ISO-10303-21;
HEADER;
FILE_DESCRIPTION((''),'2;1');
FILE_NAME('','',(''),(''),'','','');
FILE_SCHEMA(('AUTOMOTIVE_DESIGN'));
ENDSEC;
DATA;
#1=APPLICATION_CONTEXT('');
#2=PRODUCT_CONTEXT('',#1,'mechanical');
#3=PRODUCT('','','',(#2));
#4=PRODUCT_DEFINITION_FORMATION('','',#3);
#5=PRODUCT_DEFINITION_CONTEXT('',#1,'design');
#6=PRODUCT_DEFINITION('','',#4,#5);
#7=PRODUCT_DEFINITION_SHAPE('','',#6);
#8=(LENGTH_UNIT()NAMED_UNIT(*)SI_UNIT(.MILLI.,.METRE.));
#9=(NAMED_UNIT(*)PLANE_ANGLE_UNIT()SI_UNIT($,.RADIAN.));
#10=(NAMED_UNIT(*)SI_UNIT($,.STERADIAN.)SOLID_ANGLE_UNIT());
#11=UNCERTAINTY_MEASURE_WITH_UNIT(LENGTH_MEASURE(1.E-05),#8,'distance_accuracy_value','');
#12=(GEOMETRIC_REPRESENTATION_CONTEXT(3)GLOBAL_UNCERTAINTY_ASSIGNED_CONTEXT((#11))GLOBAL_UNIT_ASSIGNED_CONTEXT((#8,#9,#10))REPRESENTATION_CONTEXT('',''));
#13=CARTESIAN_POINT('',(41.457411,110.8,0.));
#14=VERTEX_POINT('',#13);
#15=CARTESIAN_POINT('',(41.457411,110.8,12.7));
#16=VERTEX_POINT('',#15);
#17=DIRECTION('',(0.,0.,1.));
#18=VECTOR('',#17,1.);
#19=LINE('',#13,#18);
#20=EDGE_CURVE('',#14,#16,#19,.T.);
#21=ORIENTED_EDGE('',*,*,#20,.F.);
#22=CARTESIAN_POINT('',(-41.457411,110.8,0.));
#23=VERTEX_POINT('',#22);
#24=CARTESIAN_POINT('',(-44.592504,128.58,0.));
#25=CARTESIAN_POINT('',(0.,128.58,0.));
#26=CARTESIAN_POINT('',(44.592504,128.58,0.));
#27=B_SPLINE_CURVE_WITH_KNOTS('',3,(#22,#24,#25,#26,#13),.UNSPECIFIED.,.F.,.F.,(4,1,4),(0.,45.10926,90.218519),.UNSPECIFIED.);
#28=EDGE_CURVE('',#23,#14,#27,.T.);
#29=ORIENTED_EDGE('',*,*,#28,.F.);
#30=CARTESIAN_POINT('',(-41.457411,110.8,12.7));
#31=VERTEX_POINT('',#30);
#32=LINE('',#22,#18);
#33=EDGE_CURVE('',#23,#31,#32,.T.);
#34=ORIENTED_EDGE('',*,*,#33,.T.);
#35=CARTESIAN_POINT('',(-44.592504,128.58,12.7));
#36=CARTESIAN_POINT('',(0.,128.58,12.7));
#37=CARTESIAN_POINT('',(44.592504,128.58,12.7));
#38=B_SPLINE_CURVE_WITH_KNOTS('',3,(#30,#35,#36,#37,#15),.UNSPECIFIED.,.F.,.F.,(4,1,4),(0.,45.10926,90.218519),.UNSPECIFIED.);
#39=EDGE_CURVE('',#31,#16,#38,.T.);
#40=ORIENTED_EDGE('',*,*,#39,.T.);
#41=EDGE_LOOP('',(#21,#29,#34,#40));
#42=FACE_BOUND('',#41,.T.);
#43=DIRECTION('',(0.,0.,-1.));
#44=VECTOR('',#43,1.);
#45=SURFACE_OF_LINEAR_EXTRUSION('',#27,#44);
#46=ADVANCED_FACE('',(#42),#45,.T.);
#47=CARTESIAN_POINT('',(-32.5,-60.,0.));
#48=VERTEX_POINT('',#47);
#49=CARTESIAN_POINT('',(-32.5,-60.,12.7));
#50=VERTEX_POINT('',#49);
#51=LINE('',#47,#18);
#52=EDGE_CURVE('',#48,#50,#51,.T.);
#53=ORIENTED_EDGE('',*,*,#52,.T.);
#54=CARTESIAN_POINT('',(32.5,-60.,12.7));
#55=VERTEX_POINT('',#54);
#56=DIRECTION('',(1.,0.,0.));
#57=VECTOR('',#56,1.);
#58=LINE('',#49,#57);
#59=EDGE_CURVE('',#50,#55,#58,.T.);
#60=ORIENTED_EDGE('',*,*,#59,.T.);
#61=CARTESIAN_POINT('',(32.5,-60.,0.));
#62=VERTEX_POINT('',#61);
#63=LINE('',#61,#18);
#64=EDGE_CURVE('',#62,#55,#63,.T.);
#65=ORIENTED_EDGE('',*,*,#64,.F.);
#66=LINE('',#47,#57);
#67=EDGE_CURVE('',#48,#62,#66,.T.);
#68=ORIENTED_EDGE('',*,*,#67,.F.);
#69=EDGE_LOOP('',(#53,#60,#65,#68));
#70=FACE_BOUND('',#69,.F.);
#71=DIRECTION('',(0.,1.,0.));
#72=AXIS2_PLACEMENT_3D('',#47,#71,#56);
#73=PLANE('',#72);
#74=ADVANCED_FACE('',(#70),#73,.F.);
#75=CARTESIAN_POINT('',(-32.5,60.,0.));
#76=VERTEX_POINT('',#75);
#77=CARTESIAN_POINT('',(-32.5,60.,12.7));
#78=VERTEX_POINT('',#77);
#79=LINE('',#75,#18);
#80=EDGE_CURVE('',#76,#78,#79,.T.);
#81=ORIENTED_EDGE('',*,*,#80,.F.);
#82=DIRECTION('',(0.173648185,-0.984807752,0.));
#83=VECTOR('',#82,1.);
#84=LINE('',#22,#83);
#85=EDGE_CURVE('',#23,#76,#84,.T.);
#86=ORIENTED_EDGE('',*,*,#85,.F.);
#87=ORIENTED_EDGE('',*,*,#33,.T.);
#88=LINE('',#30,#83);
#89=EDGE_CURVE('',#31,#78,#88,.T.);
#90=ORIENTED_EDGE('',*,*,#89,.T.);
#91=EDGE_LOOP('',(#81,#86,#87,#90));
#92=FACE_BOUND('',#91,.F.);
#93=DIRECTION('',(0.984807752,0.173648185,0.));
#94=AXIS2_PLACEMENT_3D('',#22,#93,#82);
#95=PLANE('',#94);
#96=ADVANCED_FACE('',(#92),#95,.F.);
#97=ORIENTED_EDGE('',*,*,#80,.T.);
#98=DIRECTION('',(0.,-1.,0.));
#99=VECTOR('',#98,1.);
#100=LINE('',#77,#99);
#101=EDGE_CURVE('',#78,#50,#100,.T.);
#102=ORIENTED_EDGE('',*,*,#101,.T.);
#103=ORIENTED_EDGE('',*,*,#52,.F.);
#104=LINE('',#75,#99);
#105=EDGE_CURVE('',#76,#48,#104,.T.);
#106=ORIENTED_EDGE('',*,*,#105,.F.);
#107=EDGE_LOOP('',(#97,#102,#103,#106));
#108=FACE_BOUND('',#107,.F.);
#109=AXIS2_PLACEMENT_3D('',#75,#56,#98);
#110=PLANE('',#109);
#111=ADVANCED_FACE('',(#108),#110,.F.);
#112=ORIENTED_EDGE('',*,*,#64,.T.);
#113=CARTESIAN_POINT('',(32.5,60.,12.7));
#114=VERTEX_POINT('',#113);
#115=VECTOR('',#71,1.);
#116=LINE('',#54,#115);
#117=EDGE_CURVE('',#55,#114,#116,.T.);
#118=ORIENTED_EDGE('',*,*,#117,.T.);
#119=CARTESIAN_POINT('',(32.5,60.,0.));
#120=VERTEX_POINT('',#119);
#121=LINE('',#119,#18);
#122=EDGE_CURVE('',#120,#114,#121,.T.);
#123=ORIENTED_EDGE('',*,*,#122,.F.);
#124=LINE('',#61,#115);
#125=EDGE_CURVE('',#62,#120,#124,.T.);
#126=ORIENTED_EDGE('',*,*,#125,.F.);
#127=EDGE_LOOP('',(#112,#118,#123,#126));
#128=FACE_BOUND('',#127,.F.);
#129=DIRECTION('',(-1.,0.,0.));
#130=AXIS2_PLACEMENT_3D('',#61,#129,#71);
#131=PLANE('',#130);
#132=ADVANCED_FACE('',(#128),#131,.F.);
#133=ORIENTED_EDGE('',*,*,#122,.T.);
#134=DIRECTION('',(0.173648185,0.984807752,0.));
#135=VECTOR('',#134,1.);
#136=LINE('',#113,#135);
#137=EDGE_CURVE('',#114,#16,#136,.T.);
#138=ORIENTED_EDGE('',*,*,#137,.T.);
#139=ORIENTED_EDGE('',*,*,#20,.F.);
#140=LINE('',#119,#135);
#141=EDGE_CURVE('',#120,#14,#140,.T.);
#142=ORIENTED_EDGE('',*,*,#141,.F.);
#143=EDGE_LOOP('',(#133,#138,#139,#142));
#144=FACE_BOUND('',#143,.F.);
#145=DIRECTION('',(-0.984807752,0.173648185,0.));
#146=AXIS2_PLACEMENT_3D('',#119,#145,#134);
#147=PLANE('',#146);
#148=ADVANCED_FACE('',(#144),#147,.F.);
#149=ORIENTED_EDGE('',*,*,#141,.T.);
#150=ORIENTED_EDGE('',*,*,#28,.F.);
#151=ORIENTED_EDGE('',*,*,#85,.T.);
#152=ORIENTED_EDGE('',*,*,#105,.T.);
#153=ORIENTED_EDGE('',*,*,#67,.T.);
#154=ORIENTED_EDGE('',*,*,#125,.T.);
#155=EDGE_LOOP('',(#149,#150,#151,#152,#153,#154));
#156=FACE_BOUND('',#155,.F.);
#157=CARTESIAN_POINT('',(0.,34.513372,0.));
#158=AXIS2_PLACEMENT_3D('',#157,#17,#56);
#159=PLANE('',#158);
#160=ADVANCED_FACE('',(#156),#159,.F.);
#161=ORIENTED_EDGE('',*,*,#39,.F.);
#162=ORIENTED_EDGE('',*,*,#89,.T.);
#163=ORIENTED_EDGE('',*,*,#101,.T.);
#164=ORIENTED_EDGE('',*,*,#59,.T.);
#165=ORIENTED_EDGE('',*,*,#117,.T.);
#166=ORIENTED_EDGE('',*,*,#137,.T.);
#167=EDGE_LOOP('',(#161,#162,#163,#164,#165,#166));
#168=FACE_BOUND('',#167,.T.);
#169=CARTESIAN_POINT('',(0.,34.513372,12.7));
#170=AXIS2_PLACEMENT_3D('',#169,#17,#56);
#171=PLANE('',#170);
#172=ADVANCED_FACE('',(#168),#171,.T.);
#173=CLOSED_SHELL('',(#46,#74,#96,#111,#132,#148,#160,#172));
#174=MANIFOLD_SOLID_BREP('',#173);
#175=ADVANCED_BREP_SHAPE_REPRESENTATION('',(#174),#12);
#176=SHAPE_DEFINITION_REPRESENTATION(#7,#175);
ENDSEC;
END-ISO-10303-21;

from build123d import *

# Parameters (mm, degrees)
F1_DEPTH = 12.7


with BuildPart() as f1:
    # F0 (on Top) → F1 (new body)
    with BuildSketch(Plane.XY):
        with BuildLine():
            Line((-32.5, 60), (-32.5, -60))
            Line((-32.5, -60), (32.5, -60))
            Line((32.5, -60), (32.5, 60))
            Line((32.5, 60), (41.457411, 110.8))
            add(Edge.make_bspline(
                [(-41.457411, 110.8), (-44.592504, 128.58), (0, 128.58), (44.592504, 128.58), (41.457411, 110.8)],
                knots=[0, 0, 0, 0, 45.10926, 90.218519, 90.218519, 90.218519, 90.218519], degree=3))
            Line((-41.457411, 110.8), (-32.5, 60))
        make_face()
    extrude(amount=F1_DEPTH)


solid = f1.part
